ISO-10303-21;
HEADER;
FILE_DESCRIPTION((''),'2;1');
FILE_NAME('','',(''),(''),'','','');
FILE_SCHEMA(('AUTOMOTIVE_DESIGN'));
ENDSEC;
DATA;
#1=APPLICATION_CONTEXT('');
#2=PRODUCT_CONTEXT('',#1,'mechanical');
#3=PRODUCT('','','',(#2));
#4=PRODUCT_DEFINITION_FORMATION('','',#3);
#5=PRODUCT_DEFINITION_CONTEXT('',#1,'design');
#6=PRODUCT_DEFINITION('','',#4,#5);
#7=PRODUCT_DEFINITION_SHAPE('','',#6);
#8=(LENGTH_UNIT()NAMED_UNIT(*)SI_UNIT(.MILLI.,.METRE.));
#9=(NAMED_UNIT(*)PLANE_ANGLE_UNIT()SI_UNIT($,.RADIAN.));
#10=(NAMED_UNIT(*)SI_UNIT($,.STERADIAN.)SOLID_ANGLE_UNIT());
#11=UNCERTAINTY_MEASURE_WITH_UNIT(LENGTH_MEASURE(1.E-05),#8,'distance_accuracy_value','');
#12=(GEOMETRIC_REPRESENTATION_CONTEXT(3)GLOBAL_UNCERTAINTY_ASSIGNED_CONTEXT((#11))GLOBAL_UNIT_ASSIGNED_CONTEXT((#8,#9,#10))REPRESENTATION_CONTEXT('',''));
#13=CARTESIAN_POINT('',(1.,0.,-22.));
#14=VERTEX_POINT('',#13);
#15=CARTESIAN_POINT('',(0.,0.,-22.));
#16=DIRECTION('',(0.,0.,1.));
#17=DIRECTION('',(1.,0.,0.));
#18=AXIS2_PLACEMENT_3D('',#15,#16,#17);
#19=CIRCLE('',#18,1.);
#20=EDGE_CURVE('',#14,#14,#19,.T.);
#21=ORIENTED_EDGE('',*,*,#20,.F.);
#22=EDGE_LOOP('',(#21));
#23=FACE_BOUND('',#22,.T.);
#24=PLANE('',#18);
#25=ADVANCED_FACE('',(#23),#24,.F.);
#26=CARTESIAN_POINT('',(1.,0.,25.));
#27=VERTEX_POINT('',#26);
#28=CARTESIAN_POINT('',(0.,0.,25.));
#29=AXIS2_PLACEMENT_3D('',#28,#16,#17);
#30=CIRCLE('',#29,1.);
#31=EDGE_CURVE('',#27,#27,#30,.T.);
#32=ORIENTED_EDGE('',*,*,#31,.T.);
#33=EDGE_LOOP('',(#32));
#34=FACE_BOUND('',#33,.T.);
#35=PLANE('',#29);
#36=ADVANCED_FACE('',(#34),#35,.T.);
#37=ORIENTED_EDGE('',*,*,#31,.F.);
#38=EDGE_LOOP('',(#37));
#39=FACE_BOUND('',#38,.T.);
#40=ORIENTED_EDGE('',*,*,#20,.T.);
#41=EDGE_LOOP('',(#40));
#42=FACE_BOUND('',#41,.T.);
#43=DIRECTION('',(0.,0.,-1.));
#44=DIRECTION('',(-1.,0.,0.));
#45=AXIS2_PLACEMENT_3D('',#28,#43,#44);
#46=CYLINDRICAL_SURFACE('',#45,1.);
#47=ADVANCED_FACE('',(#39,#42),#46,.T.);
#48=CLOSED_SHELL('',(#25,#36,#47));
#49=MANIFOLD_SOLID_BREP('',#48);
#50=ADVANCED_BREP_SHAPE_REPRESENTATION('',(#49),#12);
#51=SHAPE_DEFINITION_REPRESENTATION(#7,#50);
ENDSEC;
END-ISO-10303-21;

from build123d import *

# Parameters (mm, degrees)
BOSS_EXTRUDE1_DEPTH      = 25
BOSS_EXTRUDE1_DEPTH_BACK = 22
SKETCH1_R                = 1


with BuildPart() as part:
    # Sketch1 → Boss-Extrude1 (new, two sides: drawn at the far end of the back side and taken through both)
    with BuildSketch(Plane.XY.offset(-BOSS_EXTRUDE1_DEPTH_BACK)):
        Circle(SKETCH1_R)
    extrude(amount=BOSS_EXTRUDE1_DEPTH + BOSS_EXTRUDE1_DEPTH_BACK)


solid = part.part
